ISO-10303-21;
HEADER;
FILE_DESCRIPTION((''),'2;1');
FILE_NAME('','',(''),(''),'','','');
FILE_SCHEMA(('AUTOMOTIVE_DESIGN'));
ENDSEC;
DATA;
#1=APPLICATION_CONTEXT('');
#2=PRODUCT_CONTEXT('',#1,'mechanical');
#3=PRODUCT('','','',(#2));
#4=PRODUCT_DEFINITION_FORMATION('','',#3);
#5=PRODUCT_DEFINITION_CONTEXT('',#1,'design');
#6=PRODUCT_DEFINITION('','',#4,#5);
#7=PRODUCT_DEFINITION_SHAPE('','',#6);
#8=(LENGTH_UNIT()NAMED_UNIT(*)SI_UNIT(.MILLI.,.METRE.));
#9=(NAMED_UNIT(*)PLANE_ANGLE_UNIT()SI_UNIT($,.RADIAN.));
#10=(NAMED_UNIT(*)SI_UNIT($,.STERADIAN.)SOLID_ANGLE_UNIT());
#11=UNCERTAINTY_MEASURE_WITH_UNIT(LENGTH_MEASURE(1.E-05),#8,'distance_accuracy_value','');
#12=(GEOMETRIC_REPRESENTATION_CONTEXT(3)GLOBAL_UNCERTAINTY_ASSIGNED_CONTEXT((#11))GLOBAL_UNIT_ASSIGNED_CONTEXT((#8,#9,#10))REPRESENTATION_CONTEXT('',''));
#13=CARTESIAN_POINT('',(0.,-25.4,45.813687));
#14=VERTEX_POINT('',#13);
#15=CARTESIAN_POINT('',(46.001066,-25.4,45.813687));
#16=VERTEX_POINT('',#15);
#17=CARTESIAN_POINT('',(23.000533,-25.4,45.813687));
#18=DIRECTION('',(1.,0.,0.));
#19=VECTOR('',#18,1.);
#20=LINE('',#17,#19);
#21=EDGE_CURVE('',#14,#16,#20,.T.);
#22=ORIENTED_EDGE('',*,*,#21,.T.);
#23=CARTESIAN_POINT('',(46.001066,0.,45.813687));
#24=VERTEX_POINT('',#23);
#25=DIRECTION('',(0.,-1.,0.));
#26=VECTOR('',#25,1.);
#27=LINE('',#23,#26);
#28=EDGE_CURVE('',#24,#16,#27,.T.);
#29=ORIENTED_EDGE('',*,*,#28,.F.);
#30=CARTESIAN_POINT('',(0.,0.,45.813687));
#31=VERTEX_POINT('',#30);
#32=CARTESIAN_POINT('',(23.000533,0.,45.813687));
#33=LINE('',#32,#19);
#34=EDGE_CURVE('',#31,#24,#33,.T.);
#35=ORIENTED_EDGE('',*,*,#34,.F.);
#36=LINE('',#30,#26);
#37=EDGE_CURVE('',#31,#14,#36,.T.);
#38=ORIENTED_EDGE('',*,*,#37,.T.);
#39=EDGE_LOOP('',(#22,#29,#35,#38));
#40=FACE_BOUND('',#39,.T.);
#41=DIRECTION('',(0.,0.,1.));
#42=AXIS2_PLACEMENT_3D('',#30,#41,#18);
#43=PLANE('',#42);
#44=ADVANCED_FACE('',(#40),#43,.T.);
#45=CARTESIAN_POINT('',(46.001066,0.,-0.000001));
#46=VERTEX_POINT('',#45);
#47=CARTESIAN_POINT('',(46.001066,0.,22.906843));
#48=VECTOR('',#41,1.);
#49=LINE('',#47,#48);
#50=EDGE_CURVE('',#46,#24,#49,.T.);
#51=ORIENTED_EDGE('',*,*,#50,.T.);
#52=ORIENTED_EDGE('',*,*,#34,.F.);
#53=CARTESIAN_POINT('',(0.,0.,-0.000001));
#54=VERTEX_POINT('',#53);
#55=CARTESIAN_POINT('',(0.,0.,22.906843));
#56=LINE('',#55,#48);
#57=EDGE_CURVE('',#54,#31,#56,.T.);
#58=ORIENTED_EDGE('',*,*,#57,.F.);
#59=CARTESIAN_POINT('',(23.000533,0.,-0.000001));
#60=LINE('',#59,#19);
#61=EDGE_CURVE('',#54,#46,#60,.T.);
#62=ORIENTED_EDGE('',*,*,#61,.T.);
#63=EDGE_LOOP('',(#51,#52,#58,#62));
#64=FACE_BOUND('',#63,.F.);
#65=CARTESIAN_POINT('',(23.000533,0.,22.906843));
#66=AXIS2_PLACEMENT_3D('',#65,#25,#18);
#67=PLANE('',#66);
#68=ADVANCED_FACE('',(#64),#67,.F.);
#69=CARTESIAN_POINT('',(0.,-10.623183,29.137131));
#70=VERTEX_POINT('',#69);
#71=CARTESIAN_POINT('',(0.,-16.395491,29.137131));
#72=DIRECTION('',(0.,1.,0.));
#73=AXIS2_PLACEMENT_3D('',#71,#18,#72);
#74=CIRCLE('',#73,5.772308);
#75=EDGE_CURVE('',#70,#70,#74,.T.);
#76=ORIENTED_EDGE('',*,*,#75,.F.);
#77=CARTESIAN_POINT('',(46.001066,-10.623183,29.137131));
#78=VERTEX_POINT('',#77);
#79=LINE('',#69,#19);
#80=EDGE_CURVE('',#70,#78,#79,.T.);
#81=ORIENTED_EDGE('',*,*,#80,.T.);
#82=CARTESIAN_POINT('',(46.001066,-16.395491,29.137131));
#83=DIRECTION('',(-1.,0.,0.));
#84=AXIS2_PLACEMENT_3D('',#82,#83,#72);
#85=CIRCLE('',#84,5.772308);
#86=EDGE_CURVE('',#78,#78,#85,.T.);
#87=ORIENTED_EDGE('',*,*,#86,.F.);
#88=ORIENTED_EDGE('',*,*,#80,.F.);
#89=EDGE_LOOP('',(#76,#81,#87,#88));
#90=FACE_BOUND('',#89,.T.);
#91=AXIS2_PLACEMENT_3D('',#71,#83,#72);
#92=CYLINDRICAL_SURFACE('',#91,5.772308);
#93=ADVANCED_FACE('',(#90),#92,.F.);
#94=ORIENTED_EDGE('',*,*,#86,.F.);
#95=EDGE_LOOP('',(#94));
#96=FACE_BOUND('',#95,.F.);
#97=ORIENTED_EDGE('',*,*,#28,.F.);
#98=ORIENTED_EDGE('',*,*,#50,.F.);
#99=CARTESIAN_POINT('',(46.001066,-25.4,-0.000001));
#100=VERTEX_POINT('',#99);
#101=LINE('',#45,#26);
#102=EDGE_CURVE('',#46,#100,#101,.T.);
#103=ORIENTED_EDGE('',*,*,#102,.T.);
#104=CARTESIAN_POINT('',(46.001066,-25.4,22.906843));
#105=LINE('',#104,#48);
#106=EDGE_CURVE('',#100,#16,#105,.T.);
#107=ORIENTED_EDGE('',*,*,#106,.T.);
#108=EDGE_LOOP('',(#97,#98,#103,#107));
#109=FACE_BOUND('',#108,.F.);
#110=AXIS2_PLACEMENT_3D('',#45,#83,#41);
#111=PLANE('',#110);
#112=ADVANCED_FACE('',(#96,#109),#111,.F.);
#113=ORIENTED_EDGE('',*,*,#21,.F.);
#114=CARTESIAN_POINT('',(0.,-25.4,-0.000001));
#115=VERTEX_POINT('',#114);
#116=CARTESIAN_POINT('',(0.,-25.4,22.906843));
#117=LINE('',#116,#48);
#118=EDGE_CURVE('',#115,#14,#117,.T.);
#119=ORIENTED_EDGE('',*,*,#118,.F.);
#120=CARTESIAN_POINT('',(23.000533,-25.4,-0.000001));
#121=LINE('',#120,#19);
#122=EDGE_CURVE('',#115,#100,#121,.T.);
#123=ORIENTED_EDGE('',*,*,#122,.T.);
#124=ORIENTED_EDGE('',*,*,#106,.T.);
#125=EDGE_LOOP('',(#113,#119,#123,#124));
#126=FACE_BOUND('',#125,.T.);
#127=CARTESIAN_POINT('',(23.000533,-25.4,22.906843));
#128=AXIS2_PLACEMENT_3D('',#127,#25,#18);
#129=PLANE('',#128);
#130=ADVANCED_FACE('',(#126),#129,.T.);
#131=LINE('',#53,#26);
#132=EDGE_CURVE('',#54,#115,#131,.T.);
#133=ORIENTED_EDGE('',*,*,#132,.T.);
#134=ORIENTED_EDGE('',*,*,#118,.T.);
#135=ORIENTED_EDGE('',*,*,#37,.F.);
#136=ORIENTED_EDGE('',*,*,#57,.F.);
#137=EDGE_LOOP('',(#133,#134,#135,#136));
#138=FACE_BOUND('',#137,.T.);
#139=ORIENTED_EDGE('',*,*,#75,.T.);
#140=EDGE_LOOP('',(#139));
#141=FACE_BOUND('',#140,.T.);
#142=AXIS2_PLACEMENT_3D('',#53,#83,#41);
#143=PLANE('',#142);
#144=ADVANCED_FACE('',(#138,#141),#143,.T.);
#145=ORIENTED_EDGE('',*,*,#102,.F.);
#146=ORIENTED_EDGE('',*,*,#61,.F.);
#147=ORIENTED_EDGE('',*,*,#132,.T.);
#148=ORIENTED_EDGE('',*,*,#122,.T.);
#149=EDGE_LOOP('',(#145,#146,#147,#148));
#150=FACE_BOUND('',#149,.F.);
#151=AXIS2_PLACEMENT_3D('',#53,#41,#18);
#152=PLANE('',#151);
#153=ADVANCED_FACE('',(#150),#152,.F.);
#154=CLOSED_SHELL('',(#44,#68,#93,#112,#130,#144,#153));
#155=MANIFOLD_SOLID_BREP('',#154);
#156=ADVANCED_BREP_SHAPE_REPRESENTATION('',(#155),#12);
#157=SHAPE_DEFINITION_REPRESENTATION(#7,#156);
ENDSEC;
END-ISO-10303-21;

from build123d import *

# Parameters (mm, degrees)
F0_W     = 46.001066
F0_H     = 45.813687
F1_DEPTH = 25.4
F2_R     = 5.772308
F3_DEPTH = 46.002066


with BuildPart() as f1:
    # F0 (on Front) → F1 (new body)
    with BuildSketch(Plane.XZ):
        with Locations((23.000533, 22.906843)):
            Rectangle(F0_W, F0_H)
    extrude(amount=F1_DEPTH)

    # F2 (on Right) → F3 (cut, through all)
    with BuildSketch(Plane.YZ):
        with Locations((-16.395491, 29.137131)):
            Circle(F2_R)
    extrude(amount=F3_DEPTH, mode=Mode.SUBTRACT)


solid = f1.part
